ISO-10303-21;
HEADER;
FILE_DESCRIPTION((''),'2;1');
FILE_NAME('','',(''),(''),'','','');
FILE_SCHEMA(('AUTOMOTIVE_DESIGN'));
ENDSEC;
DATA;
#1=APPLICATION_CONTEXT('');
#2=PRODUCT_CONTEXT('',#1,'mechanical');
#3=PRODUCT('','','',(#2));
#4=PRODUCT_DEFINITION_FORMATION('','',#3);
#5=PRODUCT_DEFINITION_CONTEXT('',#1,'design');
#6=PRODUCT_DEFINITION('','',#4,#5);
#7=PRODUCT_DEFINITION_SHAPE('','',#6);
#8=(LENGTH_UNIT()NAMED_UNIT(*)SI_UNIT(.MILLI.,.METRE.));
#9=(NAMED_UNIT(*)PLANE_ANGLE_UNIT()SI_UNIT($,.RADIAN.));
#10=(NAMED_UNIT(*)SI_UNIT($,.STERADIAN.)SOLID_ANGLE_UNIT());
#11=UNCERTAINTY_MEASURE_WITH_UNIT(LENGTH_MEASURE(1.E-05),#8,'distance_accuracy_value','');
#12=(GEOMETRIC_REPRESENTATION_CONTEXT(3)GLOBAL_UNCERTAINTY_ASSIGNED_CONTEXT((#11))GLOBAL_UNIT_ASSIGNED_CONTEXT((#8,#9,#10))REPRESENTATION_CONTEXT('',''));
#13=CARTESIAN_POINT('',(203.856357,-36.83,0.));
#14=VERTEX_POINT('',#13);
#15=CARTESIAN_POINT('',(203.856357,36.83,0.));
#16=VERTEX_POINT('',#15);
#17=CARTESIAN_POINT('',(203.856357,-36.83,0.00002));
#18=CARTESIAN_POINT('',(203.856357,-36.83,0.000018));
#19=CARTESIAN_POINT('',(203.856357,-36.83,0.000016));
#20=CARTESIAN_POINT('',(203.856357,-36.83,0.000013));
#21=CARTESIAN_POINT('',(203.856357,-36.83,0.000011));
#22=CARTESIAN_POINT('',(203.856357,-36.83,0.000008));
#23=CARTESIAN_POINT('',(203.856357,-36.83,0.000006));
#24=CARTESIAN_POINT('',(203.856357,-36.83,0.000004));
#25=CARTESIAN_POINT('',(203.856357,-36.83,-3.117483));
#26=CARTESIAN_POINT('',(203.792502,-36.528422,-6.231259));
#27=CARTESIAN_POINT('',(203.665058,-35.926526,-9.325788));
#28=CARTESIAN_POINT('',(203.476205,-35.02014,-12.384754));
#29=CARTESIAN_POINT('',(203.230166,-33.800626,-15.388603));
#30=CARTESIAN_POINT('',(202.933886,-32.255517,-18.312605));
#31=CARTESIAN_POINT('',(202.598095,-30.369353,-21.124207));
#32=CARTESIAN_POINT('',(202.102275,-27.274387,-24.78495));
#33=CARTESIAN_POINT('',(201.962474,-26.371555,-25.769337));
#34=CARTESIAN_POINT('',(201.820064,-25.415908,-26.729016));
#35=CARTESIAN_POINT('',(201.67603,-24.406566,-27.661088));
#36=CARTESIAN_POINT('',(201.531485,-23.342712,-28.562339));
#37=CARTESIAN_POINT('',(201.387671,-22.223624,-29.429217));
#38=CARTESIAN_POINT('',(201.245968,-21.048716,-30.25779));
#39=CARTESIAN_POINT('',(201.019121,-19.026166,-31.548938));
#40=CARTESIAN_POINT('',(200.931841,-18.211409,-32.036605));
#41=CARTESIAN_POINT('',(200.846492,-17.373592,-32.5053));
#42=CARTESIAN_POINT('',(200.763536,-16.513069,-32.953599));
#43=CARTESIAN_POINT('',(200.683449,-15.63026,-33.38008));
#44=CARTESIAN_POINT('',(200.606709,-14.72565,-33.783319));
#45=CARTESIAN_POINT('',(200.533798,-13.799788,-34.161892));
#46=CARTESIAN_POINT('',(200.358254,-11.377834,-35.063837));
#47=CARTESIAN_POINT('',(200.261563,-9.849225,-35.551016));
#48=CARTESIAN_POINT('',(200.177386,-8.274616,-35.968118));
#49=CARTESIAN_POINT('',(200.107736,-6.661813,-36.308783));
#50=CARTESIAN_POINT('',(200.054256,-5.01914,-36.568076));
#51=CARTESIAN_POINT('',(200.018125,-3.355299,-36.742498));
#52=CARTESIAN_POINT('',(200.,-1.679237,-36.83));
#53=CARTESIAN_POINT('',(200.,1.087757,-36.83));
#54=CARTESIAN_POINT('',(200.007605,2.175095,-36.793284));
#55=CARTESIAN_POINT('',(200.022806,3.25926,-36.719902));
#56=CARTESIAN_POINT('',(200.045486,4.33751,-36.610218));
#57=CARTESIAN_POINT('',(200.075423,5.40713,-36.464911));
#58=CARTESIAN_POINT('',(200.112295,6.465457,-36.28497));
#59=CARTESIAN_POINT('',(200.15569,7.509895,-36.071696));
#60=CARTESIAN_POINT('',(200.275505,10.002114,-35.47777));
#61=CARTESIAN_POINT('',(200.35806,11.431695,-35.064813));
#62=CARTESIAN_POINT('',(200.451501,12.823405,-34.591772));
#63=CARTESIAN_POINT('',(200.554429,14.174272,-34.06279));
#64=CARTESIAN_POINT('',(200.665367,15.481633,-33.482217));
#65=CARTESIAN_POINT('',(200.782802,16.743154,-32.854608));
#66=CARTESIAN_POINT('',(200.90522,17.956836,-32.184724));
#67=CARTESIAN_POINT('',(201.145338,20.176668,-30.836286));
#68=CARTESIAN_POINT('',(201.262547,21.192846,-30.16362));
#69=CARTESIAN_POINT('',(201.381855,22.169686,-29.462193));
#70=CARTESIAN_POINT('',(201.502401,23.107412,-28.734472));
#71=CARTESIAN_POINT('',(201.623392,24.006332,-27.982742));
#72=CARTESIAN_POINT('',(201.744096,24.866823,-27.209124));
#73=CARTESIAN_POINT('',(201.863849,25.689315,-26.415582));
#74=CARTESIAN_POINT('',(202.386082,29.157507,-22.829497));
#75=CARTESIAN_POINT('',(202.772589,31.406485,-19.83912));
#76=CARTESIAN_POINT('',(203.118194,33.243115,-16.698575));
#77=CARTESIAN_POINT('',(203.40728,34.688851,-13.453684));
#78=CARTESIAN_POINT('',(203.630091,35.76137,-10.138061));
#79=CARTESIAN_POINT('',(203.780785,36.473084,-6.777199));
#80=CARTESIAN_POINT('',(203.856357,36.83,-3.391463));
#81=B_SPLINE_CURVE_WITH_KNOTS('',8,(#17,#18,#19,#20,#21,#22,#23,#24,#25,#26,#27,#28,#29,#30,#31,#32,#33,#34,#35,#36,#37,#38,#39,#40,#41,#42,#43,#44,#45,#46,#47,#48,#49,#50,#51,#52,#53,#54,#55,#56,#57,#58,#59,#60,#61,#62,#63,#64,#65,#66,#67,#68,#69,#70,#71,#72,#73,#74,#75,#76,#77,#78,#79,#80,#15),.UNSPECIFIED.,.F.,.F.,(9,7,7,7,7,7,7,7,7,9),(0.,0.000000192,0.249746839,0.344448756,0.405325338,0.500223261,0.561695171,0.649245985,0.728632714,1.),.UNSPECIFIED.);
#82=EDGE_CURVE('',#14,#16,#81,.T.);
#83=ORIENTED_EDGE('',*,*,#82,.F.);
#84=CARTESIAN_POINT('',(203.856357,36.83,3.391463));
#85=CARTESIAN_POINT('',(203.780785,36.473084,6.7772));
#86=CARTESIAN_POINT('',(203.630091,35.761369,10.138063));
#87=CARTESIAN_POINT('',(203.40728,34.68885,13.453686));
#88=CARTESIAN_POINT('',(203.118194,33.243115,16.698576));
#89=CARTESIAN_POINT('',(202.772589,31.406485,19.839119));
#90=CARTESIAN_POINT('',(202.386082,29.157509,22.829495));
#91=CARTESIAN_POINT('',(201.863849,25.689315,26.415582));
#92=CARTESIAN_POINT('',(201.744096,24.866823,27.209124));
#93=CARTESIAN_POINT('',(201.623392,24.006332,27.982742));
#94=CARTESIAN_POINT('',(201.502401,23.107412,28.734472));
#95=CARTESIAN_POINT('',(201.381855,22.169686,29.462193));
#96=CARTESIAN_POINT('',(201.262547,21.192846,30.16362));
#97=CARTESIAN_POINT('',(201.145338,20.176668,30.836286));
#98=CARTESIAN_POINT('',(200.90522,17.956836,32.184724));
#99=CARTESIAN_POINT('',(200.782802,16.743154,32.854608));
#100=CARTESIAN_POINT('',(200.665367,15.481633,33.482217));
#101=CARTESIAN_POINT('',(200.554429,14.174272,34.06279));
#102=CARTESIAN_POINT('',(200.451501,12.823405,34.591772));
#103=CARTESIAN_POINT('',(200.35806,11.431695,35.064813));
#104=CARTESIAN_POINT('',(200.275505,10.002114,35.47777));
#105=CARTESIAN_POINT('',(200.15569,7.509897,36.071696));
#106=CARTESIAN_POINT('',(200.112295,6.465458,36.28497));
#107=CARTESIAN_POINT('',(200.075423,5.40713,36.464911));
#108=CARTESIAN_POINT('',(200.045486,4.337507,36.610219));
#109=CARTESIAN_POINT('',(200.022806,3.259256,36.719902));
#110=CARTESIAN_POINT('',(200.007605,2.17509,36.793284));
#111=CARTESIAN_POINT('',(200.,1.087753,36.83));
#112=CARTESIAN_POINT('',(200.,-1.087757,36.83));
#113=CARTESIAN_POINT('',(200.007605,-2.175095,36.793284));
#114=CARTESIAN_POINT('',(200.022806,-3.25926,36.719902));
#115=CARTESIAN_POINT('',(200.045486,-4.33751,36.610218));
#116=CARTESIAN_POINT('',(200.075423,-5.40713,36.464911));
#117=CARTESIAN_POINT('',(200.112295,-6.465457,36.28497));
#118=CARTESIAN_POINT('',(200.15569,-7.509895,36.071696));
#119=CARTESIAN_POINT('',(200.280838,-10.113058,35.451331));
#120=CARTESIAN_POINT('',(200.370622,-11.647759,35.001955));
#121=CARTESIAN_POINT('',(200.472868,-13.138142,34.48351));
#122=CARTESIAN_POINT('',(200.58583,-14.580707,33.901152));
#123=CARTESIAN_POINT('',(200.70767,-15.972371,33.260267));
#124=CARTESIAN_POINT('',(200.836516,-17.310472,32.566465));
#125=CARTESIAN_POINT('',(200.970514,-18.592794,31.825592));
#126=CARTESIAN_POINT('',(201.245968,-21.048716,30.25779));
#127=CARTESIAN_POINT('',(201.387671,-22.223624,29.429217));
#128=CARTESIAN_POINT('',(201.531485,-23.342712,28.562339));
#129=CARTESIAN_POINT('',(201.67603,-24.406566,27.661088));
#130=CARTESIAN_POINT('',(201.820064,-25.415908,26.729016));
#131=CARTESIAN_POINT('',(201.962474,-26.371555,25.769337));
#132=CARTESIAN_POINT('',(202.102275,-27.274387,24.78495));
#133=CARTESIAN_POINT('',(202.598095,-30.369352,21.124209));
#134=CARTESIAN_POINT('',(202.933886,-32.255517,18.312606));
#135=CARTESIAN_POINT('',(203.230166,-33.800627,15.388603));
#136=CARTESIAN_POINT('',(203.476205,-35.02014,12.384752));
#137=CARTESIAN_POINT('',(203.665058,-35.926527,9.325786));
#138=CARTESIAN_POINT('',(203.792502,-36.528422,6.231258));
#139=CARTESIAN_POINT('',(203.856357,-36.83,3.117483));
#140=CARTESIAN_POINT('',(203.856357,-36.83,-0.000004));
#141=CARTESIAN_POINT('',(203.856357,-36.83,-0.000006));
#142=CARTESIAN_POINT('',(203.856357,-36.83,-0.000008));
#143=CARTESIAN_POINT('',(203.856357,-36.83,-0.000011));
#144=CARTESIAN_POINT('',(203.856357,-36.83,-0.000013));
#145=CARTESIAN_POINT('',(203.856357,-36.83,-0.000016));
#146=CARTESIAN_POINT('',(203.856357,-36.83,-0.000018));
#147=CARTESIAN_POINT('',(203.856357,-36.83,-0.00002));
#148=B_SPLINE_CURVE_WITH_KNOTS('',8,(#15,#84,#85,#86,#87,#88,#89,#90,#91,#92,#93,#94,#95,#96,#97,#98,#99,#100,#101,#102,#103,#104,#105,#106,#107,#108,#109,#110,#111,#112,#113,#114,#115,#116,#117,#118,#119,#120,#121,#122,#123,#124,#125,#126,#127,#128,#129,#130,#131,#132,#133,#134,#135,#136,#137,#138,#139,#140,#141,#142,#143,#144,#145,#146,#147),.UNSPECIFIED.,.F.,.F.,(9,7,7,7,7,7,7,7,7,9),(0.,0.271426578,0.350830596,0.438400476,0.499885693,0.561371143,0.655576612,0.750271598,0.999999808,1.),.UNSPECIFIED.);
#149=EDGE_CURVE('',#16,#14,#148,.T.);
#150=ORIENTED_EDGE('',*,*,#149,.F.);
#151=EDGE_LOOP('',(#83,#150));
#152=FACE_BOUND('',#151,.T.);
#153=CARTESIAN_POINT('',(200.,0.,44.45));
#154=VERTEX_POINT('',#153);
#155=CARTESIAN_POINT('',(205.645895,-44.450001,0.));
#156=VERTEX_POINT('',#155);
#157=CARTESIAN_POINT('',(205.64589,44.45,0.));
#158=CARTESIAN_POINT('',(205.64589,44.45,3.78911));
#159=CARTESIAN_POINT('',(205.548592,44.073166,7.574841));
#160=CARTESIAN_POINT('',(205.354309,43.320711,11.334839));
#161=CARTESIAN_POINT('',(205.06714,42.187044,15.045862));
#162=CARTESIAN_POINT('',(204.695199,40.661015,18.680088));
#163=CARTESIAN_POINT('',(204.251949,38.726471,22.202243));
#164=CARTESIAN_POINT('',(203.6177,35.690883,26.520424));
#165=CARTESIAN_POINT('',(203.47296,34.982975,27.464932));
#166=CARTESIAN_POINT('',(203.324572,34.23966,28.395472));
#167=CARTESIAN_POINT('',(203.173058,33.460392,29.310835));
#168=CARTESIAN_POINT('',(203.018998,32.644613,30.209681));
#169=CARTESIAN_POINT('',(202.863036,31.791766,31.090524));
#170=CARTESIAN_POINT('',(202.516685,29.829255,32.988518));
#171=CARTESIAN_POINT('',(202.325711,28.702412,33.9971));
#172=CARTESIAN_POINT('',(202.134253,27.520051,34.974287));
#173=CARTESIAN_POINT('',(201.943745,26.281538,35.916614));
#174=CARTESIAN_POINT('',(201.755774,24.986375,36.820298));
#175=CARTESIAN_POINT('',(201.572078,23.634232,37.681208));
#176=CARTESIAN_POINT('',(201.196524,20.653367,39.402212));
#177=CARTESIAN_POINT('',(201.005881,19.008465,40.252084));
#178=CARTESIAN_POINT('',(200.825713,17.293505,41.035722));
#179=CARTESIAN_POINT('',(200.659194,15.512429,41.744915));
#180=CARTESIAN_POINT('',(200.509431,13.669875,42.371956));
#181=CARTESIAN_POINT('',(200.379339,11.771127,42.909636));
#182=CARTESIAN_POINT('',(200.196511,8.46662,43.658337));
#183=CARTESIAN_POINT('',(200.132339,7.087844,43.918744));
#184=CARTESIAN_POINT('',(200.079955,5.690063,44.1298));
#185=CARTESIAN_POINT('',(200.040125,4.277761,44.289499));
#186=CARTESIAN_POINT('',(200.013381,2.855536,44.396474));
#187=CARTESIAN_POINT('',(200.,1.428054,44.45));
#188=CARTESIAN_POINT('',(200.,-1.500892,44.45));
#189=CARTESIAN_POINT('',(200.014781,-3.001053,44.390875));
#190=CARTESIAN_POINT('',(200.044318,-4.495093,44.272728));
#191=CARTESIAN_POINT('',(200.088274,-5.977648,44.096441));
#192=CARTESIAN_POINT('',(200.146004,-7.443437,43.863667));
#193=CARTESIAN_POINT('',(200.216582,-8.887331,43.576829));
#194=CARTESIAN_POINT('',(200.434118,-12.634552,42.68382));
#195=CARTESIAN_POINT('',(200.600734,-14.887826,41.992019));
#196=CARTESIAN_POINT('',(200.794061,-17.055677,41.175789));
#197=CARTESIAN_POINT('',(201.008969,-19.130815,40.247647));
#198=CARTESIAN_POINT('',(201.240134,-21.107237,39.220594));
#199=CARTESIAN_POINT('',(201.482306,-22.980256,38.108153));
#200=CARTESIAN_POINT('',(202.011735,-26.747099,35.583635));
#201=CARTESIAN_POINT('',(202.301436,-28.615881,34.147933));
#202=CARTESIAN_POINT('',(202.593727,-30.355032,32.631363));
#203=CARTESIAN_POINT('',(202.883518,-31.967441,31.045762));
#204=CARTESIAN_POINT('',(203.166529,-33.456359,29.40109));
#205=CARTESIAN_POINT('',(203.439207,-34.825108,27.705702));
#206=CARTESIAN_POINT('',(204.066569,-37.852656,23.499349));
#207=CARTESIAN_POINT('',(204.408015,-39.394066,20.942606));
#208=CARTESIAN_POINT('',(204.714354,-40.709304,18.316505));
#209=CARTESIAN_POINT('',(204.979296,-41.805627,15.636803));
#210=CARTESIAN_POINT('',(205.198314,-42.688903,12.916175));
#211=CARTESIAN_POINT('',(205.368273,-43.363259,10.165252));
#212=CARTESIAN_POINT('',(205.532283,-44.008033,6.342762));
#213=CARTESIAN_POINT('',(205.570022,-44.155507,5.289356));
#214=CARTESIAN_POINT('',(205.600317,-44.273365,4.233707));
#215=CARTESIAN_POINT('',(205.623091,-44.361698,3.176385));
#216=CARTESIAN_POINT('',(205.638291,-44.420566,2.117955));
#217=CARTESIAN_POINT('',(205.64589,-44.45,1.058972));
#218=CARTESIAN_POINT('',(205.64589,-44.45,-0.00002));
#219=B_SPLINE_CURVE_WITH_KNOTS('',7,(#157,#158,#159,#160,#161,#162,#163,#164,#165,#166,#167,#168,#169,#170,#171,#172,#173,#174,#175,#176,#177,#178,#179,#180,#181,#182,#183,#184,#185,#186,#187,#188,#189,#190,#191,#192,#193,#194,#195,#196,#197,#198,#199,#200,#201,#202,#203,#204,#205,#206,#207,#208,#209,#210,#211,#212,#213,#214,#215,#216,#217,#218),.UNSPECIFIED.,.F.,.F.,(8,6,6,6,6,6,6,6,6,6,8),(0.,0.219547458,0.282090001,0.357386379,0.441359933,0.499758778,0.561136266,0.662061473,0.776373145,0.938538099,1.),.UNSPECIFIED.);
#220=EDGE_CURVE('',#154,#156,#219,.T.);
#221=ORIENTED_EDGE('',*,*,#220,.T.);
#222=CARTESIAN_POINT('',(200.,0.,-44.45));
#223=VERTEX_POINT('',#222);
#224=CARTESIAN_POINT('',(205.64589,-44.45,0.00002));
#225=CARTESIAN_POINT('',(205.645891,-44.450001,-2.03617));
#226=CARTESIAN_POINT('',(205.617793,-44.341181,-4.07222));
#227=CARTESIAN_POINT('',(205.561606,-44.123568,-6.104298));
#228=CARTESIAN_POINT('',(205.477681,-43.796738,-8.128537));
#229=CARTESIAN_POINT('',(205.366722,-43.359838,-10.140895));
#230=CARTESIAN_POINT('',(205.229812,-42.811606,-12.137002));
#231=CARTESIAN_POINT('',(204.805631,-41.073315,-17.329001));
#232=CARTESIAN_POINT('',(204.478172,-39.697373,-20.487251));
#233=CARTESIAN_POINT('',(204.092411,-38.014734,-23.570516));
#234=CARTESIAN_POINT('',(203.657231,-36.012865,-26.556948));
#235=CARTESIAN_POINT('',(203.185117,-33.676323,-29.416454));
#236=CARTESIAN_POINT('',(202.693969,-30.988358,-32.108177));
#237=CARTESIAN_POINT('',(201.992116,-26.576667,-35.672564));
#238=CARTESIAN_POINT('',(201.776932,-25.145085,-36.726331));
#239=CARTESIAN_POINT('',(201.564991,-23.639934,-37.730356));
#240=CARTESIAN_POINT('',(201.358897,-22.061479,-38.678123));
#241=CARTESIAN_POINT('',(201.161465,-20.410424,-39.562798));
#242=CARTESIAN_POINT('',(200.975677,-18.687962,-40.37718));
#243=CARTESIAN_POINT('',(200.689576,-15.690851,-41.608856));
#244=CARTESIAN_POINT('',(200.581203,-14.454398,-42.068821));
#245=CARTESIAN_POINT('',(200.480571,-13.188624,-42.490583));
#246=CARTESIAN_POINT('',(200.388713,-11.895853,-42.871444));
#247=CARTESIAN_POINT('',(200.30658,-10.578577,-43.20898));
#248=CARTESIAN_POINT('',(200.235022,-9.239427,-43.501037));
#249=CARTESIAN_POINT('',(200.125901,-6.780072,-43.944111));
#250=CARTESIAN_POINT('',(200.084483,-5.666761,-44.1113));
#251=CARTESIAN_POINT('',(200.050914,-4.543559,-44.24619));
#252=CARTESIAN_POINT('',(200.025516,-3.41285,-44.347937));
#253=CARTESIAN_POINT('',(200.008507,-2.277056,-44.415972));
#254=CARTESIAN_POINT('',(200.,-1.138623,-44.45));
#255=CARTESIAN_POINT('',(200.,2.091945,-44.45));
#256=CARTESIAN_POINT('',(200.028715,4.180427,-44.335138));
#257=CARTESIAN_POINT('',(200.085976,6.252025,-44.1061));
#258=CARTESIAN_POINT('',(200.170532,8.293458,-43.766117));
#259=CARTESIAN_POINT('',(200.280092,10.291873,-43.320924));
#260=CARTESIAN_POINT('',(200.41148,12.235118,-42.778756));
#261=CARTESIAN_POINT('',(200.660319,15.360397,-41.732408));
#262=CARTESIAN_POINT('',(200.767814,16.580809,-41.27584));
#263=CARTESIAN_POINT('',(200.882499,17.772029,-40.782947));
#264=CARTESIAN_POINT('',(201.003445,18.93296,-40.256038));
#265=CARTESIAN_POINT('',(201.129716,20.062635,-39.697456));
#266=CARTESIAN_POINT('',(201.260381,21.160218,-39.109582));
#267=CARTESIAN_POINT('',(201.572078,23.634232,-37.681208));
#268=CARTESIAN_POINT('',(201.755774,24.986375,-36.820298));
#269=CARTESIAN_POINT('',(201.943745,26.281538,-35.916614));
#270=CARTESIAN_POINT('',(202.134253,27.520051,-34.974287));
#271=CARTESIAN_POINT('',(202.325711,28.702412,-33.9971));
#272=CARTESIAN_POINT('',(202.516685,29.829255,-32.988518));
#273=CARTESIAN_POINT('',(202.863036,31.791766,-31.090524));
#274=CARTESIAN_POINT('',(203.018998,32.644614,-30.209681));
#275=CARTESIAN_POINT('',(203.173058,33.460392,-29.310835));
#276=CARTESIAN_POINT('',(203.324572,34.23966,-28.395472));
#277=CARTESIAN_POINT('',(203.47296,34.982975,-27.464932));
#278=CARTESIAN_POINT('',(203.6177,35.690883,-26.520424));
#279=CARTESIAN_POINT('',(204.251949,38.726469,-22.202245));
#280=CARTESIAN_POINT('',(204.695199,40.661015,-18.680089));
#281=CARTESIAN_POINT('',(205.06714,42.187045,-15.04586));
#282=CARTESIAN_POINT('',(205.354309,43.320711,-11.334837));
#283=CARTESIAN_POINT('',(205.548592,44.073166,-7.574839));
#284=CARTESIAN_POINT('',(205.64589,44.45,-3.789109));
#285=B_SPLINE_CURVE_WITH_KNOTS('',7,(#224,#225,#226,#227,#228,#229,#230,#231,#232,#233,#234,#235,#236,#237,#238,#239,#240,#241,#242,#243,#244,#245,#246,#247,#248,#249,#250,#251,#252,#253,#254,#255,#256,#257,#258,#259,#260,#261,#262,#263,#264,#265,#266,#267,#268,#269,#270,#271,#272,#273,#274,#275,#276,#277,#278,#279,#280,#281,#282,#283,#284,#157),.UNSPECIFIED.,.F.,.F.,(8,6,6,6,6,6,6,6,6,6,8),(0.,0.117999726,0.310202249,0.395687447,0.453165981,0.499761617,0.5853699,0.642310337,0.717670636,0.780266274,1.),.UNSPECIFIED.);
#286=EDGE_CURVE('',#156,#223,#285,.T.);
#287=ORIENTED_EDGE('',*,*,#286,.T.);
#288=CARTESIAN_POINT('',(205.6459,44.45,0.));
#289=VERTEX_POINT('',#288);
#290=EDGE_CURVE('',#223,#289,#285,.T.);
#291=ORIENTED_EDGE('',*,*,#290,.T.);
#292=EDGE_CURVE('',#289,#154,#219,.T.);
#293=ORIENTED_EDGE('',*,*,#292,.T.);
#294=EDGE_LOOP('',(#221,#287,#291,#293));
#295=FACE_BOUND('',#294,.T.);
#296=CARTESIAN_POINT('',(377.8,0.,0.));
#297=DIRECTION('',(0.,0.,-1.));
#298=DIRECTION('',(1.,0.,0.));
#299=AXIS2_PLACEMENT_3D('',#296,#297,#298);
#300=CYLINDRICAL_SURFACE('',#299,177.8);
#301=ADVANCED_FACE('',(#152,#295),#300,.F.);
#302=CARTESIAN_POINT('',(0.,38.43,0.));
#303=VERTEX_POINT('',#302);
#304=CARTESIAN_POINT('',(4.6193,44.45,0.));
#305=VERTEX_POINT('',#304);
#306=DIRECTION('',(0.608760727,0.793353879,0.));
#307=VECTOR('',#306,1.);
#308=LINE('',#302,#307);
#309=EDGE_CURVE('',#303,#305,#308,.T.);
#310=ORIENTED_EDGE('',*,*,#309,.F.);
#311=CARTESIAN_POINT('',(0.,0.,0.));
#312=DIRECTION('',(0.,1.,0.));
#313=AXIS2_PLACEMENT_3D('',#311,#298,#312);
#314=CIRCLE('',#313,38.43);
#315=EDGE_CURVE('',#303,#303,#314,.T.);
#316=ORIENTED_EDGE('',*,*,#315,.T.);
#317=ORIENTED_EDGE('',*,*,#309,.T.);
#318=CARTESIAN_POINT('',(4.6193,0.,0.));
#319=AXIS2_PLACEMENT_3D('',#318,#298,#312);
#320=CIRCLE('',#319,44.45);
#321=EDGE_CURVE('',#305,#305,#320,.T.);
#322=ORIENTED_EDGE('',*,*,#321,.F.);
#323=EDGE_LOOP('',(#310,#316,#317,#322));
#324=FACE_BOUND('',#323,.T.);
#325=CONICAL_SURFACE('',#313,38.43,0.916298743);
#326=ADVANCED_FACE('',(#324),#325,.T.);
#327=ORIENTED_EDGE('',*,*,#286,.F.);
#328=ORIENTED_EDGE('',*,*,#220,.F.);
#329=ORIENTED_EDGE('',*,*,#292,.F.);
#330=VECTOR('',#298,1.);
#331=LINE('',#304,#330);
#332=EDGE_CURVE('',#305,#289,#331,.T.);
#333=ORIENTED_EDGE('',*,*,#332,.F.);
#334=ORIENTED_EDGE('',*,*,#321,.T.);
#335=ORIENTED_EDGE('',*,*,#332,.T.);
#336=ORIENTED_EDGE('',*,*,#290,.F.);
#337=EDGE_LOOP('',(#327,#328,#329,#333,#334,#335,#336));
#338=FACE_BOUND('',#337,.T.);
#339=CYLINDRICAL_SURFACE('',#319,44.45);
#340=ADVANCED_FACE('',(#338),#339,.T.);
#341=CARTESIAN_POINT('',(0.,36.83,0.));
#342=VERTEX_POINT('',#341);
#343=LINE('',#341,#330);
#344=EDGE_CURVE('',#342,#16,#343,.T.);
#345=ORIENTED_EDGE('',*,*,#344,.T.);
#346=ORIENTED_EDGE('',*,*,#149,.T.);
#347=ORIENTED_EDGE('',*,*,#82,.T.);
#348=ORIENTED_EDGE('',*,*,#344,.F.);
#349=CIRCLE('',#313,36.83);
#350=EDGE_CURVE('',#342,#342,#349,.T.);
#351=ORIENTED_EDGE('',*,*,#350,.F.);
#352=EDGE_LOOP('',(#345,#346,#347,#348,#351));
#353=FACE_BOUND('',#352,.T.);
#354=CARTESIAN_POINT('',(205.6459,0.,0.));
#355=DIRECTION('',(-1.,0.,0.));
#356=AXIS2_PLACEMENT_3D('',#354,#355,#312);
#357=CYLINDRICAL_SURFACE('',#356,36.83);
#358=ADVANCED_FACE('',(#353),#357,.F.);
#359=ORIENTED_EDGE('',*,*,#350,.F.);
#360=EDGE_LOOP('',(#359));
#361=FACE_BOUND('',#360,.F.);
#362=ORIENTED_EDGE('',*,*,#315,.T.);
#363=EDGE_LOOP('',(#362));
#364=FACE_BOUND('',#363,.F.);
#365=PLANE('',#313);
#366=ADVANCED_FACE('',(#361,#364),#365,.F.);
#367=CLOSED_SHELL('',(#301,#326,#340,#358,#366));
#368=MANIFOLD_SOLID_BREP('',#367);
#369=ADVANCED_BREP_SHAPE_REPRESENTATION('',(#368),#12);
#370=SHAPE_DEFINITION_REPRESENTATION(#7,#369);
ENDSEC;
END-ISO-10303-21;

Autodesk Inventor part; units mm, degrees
ref_plane "YZ Plane" through (0, 0, 0) normal (1, 0, 0) x (0, 1, 0)
ref_plane "XZ Plane" through (0, 0, 0) normal (0, 1, 0) x (-1, 0, 0)
ref_plane "XY Plane" through (0, 0, 0) normal (0, 0, 1) x (1, 0, 0)
sketch "Sketch4" plane through (0, 0, 0) normal (0, 0, 1) x (1, 0, 0)
  circle A0 centre (377.8, 0) radius 177.8
  point P0 (0, 0)
  dimension "d24" = 355.6
  dimension "d25" = 377.8
sketch "Sketch1" plane through (0, 0, 0) normal (0, 0, 1) x (1, 0, 0)
  line L0 (0, 0) -> (298.2609, 0)
  line L1 (0, 38.43) -> (4.6193, 44.45)
  line L2 (4.6193, 44.45) -> (205.6459, 44.45)
  line L3 (205.6459, 44.45) -> (205.6459, 36.83)
  line L4 (205.6459, 36.83) -> (0, 36.83)
  circle A0 centre (377.8, 0) radius 177.8 projected
  line L5 (0, 38.43) -> (0, 36.83)
  dimension "d2" = 73.66
  dimension "d3" = 88.9
  dimension "d4" = 1.6
  dimension "d29" = 37.5
revolve "Revolution1" add sketch "Sketch1" angle 360 about axis through (0, 0, 0) along (1, 0, 0) picked at (205.4346, 41.0663) contours L1 L2 A0 L4 L5 | L3 L4 A0
extrude "Extrusion1" cut sketch "Sketch4" along normal mid plane 88.9
properties part number "Nozzle 3 in" material "Steel ASTM A53 Gr.B"
